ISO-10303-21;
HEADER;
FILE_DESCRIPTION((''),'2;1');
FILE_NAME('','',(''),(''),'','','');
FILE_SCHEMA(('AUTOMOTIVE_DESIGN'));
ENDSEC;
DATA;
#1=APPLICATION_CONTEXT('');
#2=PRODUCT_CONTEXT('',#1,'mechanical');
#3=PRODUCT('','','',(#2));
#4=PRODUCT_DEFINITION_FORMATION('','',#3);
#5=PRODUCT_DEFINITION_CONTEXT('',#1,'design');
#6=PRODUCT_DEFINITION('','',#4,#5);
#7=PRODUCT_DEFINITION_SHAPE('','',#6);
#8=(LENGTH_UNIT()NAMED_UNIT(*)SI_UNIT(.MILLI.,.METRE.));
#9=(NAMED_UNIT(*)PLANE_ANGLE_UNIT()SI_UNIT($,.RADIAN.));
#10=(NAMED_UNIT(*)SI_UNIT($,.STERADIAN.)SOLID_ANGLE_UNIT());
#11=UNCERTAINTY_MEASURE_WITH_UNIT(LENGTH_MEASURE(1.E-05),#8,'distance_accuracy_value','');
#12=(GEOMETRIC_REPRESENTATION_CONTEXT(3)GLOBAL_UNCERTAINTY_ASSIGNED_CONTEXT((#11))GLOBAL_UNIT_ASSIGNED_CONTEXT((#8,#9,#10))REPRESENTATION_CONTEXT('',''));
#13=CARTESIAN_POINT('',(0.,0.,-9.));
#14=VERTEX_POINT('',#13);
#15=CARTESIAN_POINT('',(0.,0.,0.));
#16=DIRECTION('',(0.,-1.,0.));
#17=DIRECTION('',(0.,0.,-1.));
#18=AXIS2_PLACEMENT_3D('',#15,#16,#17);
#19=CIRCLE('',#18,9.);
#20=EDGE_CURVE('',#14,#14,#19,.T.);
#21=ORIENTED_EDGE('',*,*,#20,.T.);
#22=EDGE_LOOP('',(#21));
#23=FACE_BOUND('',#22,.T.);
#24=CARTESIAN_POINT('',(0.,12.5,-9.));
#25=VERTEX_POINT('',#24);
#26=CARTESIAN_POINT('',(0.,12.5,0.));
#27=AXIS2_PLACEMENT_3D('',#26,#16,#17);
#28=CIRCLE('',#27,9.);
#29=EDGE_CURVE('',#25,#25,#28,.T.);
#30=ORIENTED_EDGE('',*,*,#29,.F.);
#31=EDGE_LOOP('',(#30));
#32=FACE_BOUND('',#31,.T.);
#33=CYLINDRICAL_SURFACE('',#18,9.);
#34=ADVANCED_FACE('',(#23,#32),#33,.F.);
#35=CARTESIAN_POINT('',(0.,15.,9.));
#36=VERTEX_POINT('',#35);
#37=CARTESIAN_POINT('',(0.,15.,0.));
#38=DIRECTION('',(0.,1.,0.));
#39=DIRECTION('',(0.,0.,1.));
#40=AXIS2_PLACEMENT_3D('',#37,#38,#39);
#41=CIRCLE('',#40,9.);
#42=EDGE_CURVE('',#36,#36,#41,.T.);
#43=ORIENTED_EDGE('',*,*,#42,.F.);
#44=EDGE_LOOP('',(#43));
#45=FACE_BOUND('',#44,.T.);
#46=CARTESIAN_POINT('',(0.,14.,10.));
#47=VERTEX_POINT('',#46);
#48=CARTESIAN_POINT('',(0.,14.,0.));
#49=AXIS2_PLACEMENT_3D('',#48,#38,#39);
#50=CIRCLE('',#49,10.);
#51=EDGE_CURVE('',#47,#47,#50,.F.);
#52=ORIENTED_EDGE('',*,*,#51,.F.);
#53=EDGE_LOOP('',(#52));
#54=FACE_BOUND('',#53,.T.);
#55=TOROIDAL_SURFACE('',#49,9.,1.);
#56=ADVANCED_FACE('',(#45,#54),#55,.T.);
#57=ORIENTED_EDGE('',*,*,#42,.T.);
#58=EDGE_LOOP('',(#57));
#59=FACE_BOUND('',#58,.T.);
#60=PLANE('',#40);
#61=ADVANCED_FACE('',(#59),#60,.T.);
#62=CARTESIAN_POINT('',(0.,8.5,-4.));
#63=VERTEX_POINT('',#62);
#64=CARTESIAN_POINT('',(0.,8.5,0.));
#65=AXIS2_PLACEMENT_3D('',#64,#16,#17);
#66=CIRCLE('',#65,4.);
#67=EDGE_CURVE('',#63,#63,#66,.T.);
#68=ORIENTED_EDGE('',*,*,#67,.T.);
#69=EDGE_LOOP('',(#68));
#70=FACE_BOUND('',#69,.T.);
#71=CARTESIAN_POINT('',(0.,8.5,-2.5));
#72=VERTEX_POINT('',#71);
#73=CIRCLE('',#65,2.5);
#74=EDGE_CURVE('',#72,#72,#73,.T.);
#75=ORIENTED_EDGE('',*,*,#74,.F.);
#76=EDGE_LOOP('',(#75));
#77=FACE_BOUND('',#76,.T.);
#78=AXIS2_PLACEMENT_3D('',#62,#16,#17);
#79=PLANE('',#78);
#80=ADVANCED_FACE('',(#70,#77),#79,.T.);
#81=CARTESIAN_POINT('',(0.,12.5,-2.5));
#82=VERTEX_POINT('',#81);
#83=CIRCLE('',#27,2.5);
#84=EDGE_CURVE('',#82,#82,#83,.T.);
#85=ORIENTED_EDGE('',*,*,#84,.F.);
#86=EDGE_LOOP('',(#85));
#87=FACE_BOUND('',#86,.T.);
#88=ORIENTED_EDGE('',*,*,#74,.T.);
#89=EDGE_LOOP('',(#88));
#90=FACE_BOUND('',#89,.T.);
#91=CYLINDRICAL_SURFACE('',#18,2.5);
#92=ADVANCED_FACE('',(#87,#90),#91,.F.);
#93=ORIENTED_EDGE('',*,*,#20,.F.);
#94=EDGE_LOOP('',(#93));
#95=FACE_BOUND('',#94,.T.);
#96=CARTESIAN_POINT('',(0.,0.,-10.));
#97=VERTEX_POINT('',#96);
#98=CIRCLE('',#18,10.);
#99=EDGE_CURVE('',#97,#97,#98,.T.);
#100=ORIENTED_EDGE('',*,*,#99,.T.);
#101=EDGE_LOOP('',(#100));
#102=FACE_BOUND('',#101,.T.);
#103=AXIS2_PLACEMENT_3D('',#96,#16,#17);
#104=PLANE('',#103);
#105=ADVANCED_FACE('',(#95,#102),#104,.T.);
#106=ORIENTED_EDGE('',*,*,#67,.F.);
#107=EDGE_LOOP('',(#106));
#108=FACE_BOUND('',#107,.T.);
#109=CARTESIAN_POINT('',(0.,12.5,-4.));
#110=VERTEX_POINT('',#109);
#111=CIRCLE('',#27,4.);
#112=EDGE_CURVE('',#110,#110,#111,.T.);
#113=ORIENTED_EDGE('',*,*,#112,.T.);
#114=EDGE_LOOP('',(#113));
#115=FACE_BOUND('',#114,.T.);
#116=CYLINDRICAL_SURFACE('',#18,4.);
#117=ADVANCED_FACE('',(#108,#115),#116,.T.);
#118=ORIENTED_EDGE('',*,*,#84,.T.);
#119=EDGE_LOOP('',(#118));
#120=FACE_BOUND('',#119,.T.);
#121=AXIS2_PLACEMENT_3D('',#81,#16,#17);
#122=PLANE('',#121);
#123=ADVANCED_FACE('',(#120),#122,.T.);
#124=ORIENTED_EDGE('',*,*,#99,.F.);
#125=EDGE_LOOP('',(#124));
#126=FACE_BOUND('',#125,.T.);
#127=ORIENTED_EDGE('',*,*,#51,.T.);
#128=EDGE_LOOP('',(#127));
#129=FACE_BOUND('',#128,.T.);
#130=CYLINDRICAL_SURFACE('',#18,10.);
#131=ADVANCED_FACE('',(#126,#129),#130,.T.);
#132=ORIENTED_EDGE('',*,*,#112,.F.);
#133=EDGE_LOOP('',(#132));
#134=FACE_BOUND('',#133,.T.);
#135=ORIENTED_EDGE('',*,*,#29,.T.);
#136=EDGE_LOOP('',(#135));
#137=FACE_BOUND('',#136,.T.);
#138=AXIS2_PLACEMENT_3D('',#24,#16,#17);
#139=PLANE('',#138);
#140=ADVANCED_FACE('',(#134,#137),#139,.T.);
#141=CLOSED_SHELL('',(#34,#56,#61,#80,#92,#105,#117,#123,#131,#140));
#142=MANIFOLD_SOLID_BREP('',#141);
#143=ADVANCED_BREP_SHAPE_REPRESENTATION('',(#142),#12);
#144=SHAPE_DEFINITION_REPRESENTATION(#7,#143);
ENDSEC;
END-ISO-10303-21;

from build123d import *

# Parameters (mm, degrees)
FILLET1_R = 1


with BuildPart() as part:
    # Sketch1 → Revolve1 (revolve)
    with BuildSketch(Plane(origin=(0, 0, 0), x_dir=(0, 0, -1), z_dir=(1, 0, 0))):
        Polygon((9, 0), (9, 12.5), (4, 12.5), (4, 8.5), (2.5, 8.5), (2.5, 12.5), (0, 12.5), (0, 15), (10, 15), (10, 0), align=None)
    revolve(axis=Axis((0, 0, 0), (0, 1, 0)))

    # Fillet1
    fillet1_edges = [part.edges().sort_by_distance(p)[0] for p in [
        (0, 15, 10),
    ]]
    fillet(fillet1_edges, radius=FILLET1_R)


solid = part.part
